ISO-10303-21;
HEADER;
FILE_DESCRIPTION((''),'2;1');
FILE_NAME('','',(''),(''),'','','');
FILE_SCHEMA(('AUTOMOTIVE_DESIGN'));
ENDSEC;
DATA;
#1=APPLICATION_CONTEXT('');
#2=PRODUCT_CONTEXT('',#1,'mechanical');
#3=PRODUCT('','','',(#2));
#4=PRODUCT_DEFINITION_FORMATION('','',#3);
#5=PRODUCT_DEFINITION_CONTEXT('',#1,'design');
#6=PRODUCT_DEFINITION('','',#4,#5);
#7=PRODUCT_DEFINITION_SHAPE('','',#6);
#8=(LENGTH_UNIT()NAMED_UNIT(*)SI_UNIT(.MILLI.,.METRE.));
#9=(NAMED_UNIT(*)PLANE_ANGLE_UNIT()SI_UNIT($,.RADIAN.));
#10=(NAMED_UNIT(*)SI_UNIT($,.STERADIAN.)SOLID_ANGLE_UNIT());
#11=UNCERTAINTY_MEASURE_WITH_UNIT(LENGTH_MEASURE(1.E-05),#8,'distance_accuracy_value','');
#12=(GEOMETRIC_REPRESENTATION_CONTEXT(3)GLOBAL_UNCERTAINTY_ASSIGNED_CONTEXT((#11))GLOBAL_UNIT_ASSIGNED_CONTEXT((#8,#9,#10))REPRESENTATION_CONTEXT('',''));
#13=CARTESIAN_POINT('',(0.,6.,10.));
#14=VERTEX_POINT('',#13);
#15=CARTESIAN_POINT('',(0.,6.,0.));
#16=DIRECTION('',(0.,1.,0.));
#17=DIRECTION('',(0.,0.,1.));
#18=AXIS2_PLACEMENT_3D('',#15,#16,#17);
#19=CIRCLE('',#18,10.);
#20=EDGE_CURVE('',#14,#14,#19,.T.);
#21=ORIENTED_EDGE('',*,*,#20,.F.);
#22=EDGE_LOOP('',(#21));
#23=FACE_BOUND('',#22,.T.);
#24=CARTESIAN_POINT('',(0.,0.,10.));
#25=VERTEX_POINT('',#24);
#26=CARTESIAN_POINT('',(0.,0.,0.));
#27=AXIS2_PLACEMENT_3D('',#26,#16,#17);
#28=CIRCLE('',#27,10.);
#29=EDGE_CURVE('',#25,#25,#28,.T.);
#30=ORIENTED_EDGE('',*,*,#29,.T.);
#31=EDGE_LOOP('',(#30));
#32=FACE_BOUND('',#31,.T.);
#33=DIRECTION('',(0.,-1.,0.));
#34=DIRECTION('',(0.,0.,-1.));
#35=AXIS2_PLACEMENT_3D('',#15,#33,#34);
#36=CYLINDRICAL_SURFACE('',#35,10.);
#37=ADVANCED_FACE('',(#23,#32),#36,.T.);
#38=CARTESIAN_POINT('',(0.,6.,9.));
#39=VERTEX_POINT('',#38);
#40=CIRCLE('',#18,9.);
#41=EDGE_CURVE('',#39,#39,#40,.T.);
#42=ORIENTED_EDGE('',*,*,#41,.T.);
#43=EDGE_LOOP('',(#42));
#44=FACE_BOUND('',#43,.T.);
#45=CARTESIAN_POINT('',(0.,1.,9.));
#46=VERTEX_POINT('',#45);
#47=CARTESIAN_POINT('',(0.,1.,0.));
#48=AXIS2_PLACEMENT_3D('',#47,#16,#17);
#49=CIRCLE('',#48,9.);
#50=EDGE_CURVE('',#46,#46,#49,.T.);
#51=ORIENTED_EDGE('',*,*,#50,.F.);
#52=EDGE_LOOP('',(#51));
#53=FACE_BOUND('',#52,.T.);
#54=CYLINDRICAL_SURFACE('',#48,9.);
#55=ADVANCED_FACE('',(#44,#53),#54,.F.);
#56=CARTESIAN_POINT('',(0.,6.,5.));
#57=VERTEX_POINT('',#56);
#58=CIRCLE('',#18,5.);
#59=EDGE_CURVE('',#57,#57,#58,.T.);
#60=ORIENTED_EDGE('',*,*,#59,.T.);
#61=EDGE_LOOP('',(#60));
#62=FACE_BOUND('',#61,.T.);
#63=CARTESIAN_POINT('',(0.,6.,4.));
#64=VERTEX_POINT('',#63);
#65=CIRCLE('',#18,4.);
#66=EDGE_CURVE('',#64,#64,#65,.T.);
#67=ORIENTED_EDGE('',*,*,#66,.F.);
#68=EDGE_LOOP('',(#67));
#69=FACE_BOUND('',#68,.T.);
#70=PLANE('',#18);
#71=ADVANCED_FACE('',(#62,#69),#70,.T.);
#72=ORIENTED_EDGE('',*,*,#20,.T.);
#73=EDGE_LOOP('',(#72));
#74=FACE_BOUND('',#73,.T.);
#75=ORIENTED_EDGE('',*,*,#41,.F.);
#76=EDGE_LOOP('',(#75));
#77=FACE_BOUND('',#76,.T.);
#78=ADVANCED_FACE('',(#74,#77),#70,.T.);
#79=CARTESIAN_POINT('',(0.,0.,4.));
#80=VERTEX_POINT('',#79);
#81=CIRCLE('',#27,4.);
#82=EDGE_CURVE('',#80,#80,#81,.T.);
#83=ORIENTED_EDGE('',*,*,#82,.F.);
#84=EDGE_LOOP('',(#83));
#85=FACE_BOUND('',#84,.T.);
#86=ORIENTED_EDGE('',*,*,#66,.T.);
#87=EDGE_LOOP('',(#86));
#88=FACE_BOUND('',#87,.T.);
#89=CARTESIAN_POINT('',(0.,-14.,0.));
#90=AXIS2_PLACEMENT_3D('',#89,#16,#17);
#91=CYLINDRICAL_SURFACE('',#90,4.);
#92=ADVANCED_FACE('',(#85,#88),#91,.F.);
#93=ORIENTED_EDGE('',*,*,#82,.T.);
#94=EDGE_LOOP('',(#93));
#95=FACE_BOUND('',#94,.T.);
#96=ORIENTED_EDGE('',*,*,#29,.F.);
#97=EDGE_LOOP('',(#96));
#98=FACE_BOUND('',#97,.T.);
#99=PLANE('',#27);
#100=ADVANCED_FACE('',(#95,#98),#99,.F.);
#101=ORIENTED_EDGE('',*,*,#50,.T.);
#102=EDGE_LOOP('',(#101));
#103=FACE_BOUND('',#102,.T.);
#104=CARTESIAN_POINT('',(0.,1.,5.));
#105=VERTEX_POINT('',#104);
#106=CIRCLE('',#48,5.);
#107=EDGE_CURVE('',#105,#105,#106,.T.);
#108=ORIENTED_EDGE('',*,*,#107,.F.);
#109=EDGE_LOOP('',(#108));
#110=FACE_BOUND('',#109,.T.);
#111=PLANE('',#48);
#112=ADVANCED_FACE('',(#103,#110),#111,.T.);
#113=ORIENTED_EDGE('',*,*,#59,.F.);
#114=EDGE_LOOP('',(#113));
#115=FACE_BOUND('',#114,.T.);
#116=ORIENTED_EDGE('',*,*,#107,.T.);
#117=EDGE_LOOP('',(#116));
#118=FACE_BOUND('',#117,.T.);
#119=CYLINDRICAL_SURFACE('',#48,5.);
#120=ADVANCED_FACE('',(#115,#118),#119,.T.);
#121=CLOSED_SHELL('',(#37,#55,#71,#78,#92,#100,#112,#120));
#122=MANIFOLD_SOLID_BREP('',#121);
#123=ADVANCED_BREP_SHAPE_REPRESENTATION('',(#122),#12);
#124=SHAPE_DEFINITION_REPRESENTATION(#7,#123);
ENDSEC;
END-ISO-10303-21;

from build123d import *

# Parameters (mm, degrees)
SKETCH1_R            = 10
MAIN_EXTRUSION_DEPTH = 6
SKETCH2_R            = 4
ID_BORE_DEPTH        = 20
SKETCH3_R            = 9
SKETCH3_R_2          = 5
SEAL_RECESS_DEPTH    = 5


with BuildPart() as part:
    # Sketch1 → main extrusion (new body)
    with BuildSketch(Plane(origin=(0, 0, 0), x_dir=(1, 0, 0), z_dir=(0, 1, 0))):
        with Locations(Location((0, 0, 0), (0, 0, 270))):
            Circle(SKETCH1_R)
    extrude(amount=MAIN_EXTRUSION_DEPTH)

    # Sketch2 → ID bore (cut)
    with BuildSketch(Plane(origin=(0, 6, 0), x_dir=(1, 0, 0), z_dir=(0, 1, 0))):
        with Locations(Location((0, 0, 0), (0, 0, 270))):
            Circle(SKETCH2_R)
    extrude(amount=-ID_BORE_DEPTH, mode=Mode.SUBTRACT)

    # Sketch3 → seal recess (cut)
    with BuildSketch(Plane(origin=(0, 6, 0), x_dir=(1, 0, 0), z_dir=(0, 1, 0))):
        with Locations(Location((0, 0, 0), (0, 0, 270))):
            Circle(SKETCH3_R)
        with Locations(Location((0, 0, 0), (0, 0, 270))):
            Circle(SKETCH3_R_2, mode=Mode.SUBTRACT)
    extrude(amount=-SEAL_RECESS_DEPTH, mode=Mode.SUBTRACT)


solid = part.part
